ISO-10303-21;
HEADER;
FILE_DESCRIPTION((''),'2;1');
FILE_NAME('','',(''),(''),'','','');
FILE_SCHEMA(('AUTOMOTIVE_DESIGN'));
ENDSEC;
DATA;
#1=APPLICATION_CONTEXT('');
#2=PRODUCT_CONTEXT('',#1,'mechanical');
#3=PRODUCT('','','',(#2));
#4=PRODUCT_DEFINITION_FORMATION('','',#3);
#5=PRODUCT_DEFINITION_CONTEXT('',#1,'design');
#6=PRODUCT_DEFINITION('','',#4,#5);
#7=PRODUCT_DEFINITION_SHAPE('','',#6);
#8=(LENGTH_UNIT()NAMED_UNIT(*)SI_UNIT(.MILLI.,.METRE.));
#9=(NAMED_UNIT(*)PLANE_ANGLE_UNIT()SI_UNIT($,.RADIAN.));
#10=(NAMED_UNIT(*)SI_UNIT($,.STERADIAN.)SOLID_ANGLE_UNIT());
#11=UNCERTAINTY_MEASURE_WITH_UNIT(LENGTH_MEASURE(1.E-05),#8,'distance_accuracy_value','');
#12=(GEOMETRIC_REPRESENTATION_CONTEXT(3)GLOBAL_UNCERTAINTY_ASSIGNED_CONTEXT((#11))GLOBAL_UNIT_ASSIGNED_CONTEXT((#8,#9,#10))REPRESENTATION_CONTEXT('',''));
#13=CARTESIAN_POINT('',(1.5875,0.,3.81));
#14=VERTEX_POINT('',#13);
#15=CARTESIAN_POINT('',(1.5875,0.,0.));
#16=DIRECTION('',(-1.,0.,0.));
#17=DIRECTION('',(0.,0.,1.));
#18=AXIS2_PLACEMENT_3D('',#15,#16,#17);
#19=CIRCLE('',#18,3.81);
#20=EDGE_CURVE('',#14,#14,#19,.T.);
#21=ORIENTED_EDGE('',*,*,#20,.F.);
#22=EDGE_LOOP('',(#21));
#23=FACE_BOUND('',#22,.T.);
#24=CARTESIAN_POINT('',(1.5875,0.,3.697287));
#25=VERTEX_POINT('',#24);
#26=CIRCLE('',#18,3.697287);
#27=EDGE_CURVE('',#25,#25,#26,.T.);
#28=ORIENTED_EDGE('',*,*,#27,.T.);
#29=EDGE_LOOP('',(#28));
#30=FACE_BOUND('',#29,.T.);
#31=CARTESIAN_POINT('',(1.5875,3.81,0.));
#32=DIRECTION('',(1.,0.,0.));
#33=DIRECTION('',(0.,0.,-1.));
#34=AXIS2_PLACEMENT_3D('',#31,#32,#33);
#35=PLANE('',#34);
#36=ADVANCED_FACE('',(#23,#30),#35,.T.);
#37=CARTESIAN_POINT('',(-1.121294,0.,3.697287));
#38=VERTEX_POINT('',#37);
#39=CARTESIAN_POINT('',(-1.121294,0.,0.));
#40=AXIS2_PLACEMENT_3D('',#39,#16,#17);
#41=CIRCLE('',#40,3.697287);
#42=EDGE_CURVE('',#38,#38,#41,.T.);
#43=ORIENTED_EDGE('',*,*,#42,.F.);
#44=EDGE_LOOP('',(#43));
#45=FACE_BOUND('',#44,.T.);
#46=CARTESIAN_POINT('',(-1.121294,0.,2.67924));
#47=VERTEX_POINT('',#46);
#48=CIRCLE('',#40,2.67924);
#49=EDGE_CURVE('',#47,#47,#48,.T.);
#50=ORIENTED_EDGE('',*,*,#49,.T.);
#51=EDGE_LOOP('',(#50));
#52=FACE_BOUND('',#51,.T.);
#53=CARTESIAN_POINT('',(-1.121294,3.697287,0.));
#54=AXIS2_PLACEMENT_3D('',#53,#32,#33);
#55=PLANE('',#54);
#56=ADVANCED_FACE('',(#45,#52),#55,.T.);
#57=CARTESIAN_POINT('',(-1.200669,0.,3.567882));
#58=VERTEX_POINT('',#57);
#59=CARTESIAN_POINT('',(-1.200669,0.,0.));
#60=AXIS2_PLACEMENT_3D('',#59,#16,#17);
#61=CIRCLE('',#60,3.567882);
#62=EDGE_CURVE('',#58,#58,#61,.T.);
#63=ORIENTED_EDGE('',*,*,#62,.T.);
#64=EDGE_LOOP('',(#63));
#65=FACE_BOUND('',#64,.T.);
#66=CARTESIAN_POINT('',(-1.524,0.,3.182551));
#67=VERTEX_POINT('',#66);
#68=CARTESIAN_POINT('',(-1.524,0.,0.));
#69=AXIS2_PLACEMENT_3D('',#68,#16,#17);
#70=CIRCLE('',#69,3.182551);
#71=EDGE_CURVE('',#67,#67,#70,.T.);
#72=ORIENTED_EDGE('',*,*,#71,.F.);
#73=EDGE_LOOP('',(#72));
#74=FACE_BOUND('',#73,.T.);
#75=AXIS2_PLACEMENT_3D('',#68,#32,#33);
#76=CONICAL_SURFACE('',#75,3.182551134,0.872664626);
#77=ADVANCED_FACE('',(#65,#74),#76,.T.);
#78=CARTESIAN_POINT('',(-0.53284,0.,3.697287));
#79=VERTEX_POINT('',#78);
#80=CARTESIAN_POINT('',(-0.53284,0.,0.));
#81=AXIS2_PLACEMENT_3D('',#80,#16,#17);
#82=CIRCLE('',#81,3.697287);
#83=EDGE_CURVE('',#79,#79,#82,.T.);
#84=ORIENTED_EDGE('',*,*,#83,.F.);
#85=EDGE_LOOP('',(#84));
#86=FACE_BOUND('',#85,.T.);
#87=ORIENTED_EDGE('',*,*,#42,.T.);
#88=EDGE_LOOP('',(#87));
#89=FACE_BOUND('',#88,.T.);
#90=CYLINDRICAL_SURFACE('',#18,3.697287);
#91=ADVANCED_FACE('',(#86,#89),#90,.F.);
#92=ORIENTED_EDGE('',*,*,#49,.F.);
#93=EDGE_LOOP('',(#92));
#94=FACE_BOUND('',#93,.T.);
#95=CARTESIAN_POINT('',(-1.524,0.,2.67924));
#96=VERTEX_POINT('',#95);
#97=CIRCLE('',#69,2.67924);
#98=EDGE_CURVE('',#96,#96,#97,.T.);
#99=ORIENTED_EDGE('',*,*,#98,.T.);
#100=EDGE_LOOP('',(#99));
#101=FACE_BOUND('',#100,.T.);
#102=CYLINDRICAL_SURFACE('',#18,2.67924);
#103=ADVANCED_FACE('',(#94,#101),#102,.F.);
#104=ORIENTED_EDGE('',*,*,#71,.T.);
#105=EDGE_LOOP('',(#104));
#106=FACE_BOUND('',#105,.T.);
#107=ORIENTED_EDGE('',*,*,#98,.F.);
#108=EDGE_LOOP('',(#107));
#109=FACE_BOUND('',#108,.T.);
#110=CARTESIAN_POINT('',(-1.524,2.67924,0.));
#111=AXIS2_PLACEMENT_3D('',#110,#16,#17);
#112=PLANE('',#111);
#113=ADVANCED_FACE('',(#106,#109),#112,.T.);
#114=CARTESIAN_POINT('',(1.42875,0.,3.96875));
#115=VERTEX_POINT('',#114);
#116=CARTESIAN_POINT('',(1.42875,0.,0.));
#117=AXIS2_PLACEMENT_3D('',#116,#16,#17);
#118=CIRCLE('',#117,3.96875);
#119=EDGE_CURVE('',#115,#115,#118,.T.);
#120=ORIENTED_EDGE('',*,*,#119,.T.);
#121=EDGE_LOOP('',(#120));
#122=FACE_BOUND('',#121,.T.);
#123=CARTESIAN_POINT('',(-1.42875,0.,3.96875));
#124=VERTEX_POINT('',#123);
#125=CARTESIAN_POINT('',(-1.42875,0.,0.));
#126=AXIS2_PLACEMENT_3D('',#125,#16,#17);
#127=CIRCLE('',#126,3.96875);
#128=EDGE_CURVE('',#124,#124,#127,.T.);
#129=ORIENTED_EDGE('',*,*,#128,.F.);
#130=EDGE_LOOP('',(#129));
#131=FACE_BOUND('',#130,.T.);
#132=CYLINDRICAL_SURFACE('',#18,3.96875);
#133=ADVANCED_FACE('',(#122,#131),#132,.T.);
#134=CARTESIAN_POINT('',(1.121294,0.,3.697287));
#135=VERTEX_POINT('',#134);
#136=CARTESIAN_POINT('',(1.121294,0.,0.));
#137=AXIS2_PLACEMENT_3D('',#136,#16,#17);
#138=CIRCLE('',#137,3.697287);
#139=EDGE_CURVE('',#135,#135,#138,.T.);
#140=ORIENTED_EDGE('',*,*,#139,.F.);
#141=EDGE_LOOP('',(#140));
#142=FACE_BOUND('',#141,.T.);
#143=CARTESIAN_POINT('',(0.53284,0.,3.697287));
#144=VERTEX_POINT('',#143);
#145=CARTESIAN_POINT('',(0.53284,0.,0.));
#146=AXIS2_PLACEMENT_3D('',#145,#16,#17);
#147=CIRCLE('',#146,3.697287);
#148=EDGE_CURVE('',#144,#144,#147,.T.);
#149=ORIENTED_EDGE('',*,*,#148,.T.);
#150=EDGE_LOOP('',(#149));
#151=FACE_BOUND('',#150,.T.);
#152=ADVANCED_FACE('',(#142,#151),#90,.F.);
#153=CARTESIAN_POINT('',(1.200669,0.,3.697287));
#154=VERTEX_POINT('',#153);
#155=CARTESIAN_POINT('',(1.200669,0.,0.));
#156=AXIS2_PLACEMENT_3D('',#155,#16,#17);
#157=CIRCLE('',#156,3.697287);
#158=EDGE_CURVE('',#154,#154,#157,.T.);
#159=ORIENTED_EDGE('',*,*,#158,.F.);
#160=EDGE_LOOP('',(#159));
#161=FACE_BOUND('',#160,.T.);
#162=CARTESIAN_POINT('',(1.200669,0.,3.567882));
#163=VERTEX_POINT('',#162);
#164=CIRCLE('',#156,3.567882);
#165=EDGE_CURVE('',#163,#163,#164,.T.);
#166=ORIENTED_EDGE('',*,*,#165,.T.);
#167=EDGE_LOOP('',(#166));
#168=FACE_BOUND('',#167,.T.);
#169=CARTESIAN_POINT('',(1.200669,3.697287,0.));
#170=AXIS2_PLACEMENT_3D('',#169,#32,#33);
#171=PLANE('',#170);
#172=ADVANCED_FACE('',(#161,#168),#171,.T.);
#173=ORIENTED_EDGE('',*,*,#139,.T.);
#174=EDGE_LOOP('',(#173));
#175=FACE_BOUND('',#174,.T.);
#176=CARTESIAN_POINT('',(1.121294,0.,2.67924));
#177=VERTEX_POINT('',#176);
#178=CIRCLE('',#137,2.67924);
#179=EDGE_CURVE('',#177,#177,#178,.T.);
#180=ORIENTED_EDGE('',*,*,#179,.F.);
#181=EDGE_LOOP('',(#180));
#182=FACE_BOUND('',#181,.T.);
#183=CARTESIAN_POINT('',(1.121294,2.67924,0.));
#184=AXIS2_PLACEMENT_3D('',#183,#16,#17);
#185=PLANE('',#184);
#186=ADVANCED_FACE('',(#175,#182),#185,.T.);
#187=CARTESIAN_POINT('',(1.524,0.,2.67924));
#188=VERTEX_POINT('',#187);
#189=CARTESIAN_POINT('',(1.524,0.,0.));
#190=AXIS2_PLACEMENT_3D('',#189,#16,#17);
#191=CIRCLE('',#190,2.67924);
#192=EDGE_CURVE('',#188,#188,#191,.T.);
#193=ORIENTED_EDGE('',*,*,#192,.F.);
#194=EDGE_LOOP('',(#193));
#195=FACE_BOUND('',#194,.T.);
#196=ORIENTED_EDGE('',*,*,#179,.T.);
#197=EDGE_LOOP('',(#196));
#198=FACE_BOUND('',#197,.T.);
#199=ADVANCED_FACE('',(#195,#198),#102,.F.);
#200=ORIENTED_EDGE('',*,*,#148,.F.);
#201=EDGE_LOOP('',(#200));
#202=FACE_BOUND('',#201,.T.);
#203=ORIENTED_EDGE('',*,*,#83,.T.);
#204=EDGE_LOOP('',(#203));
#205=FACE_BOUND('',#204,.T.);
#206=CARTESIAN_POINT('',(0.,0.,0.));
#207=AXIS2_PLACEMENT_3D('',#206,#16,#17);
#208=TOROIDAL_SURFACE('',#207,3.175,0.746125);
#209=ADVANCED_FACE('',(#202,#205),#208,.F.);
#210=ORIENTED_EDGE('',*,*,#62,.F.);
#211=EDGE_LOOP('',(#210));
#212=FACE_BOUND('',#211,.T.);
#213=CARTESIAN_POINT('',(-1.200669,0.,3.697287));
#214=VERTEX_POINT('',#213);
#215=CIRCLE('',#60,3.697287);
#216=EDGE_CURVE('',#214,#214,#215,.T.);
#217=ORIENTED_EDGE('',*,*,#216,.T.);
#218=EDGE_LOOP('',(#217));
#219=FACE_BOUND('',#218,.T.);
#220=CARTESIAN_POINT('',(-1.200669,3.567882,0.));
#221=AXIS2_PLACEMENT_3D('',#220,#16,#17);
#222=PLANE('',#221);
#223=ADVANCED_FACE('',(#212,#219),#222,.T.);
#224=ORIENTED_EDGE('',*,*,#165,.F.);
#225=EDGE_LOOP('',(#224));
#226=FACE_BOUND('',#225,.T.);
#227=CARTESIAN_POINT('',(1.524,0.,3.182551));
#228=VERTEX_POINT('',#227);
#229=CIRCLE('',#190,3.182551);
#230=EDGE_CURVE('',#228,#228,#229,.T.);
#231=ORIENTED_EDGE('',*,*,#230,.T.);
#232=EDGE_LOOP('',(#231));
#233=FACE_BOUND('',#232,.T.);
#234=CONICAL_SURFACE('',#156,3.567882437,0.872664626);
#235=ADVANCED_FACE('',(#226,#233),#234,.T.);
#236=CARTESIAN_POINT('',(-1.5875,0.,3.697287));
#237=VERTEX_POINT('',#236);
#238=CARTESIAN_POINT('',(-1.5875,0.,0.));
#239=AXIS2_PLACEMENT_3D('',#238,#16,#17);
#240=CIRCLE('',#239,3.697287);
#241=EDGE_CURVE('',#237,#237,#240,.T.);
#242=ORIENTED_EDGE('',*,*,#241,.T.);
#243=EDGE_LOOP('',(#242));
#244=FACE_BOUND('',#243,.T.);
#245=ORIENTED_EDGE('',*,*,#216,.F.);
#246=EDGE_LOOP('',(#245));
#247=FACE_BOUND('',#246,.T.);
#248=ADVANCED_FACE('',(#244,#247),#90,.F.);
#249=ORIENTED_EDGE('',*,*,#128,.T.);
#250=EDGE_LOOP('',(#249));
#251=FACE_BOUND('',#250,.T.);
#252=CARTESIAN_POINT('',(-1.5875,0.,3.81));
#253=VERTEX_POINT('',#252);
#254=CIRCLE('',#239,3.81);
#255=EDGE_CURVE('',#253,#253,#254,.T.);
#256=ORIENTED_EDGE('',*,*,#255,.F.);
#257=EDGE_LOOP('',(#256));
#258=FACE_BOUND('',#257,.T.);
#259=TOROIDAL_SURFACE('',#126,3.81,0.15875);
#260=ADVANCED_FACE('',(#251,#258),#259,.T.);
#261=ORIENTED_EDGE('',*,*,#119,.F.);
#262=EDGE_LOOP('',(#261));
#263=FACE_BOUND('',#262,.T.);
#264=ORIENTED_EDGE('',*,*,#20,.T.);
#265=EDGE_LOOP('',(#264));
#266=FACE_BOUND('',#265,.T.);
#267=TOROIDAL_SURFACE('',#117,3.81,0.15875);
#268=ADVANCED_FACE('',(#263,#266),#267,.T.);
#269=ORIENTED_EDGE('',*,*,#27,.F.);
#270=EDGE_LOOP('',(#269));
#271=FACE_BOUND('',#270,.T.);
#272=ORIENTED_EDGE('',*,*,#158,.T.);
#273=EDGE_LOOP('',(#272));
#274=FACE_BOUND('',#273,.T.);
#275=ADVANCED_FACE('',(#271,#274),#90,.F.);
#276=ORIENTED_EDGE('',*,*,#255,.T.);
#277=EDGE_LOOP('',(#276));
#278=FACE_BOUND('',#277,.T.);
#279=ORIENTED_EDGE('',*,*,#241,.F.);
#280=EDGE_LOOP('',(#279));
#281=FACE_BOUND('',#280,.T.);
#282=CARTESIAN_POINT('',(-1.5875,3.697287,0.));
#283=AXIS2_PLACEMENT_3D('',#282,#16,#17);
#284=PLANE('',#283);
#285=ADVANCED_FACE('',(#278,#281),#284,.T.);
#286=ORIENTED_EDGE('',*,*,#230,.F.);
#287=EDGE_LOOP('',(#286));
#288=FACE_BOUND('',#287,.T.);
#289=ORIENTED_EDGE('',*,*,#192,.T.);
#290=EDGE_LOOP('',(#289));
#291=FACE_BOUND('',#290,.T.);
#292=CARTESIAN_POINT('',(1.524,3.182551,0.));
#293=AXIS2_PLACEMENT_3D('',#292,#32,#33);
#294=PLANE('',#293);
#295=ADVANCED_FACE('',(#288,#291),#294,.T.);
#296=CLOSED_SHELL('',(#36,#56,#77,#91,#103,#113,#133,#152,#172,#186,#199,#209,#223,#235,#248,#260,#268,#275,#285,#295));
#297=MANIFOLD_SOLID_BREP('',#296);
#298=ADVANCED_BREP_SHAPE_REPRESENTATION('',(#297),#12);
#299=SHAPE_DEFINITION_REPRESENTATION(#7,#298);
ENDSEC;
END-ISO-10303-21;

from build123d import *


with BuildPart() as part:
    # Sketch1 → Revolve1 (revolve)
    with BuildSketch(Plane(origin=(0, 0, 0), x_dir=(-1, 0, 0), z_dir=(0, 0, -1)), mode=Mode.PRIVATE) as revolve1_sk:
        with BuildLine():
            Line((1.524, 3.182551134), (1.200668646, 3.567882438))
            Line((1.200668646, 3.567882438), (1.200668646, 3.6972875))
            Line((1.200668646, 3.6972875), (1.5875, 3.6972875))
            Line((1.5875, 3.6972875), (1.5875, 3.81))
            ThreePointArc((1.5875, 3.81), (1.541003202, 3.922253202), (1.42875, 3.96875))
            Line((1.42875, 3.96875), (-1.42875, 3.96875))
            ThreePointArc((-1.42875, 3.96875), (-1.541003202, 3.922253202), (-1.5875, 3.81))
            Line((-1.5875, 3.81), (-1.5875, 3.6972875))
            Line((-1.5875, 3.6972875), (-1.200668646, 3.6972875))
            Line((-1.200668646, 3.6972875), (-1.200668646, 3.567882438))
            Line((-1.200668646, 3.567882438), (-1.524, 3.182551134))
            Line((-1.524, 3.182551134), (-1.524, 2.679239625))
            Line((-1.524, 2.679239625), (-1.121293646, 2.679239625))
            Line((-1.121293646, 2.679239625), (-1.121293646, 3.6972875))
            Line((-1.121293646, 3.6972875), (-0.532839829, 3.6972875))
            ThreePointArc((-0.532839829, 3.6972875), (0, 3.921125), (0.532839829, 3.6972875))
            Line((0.532839829, 3.6972875), (1.121293646, 3.6972875))
            Line((1.121293646, 3.6972875), (1.121293646, 2.679239625))
            Line((1.121293646, 2.679239625), (1.524, 2.679239625))
            Line((1.524, 2.679239625), (1.524, 3.182551134))
        make_face()
    revolve(revolve1_sk.sketch.rotate(Axis((1.5875, 0, 0), (-1, 0, 0)), 270), axis=Axis((1.5875, 0, 0), (-1, 0, 0)))


solid = part.part
